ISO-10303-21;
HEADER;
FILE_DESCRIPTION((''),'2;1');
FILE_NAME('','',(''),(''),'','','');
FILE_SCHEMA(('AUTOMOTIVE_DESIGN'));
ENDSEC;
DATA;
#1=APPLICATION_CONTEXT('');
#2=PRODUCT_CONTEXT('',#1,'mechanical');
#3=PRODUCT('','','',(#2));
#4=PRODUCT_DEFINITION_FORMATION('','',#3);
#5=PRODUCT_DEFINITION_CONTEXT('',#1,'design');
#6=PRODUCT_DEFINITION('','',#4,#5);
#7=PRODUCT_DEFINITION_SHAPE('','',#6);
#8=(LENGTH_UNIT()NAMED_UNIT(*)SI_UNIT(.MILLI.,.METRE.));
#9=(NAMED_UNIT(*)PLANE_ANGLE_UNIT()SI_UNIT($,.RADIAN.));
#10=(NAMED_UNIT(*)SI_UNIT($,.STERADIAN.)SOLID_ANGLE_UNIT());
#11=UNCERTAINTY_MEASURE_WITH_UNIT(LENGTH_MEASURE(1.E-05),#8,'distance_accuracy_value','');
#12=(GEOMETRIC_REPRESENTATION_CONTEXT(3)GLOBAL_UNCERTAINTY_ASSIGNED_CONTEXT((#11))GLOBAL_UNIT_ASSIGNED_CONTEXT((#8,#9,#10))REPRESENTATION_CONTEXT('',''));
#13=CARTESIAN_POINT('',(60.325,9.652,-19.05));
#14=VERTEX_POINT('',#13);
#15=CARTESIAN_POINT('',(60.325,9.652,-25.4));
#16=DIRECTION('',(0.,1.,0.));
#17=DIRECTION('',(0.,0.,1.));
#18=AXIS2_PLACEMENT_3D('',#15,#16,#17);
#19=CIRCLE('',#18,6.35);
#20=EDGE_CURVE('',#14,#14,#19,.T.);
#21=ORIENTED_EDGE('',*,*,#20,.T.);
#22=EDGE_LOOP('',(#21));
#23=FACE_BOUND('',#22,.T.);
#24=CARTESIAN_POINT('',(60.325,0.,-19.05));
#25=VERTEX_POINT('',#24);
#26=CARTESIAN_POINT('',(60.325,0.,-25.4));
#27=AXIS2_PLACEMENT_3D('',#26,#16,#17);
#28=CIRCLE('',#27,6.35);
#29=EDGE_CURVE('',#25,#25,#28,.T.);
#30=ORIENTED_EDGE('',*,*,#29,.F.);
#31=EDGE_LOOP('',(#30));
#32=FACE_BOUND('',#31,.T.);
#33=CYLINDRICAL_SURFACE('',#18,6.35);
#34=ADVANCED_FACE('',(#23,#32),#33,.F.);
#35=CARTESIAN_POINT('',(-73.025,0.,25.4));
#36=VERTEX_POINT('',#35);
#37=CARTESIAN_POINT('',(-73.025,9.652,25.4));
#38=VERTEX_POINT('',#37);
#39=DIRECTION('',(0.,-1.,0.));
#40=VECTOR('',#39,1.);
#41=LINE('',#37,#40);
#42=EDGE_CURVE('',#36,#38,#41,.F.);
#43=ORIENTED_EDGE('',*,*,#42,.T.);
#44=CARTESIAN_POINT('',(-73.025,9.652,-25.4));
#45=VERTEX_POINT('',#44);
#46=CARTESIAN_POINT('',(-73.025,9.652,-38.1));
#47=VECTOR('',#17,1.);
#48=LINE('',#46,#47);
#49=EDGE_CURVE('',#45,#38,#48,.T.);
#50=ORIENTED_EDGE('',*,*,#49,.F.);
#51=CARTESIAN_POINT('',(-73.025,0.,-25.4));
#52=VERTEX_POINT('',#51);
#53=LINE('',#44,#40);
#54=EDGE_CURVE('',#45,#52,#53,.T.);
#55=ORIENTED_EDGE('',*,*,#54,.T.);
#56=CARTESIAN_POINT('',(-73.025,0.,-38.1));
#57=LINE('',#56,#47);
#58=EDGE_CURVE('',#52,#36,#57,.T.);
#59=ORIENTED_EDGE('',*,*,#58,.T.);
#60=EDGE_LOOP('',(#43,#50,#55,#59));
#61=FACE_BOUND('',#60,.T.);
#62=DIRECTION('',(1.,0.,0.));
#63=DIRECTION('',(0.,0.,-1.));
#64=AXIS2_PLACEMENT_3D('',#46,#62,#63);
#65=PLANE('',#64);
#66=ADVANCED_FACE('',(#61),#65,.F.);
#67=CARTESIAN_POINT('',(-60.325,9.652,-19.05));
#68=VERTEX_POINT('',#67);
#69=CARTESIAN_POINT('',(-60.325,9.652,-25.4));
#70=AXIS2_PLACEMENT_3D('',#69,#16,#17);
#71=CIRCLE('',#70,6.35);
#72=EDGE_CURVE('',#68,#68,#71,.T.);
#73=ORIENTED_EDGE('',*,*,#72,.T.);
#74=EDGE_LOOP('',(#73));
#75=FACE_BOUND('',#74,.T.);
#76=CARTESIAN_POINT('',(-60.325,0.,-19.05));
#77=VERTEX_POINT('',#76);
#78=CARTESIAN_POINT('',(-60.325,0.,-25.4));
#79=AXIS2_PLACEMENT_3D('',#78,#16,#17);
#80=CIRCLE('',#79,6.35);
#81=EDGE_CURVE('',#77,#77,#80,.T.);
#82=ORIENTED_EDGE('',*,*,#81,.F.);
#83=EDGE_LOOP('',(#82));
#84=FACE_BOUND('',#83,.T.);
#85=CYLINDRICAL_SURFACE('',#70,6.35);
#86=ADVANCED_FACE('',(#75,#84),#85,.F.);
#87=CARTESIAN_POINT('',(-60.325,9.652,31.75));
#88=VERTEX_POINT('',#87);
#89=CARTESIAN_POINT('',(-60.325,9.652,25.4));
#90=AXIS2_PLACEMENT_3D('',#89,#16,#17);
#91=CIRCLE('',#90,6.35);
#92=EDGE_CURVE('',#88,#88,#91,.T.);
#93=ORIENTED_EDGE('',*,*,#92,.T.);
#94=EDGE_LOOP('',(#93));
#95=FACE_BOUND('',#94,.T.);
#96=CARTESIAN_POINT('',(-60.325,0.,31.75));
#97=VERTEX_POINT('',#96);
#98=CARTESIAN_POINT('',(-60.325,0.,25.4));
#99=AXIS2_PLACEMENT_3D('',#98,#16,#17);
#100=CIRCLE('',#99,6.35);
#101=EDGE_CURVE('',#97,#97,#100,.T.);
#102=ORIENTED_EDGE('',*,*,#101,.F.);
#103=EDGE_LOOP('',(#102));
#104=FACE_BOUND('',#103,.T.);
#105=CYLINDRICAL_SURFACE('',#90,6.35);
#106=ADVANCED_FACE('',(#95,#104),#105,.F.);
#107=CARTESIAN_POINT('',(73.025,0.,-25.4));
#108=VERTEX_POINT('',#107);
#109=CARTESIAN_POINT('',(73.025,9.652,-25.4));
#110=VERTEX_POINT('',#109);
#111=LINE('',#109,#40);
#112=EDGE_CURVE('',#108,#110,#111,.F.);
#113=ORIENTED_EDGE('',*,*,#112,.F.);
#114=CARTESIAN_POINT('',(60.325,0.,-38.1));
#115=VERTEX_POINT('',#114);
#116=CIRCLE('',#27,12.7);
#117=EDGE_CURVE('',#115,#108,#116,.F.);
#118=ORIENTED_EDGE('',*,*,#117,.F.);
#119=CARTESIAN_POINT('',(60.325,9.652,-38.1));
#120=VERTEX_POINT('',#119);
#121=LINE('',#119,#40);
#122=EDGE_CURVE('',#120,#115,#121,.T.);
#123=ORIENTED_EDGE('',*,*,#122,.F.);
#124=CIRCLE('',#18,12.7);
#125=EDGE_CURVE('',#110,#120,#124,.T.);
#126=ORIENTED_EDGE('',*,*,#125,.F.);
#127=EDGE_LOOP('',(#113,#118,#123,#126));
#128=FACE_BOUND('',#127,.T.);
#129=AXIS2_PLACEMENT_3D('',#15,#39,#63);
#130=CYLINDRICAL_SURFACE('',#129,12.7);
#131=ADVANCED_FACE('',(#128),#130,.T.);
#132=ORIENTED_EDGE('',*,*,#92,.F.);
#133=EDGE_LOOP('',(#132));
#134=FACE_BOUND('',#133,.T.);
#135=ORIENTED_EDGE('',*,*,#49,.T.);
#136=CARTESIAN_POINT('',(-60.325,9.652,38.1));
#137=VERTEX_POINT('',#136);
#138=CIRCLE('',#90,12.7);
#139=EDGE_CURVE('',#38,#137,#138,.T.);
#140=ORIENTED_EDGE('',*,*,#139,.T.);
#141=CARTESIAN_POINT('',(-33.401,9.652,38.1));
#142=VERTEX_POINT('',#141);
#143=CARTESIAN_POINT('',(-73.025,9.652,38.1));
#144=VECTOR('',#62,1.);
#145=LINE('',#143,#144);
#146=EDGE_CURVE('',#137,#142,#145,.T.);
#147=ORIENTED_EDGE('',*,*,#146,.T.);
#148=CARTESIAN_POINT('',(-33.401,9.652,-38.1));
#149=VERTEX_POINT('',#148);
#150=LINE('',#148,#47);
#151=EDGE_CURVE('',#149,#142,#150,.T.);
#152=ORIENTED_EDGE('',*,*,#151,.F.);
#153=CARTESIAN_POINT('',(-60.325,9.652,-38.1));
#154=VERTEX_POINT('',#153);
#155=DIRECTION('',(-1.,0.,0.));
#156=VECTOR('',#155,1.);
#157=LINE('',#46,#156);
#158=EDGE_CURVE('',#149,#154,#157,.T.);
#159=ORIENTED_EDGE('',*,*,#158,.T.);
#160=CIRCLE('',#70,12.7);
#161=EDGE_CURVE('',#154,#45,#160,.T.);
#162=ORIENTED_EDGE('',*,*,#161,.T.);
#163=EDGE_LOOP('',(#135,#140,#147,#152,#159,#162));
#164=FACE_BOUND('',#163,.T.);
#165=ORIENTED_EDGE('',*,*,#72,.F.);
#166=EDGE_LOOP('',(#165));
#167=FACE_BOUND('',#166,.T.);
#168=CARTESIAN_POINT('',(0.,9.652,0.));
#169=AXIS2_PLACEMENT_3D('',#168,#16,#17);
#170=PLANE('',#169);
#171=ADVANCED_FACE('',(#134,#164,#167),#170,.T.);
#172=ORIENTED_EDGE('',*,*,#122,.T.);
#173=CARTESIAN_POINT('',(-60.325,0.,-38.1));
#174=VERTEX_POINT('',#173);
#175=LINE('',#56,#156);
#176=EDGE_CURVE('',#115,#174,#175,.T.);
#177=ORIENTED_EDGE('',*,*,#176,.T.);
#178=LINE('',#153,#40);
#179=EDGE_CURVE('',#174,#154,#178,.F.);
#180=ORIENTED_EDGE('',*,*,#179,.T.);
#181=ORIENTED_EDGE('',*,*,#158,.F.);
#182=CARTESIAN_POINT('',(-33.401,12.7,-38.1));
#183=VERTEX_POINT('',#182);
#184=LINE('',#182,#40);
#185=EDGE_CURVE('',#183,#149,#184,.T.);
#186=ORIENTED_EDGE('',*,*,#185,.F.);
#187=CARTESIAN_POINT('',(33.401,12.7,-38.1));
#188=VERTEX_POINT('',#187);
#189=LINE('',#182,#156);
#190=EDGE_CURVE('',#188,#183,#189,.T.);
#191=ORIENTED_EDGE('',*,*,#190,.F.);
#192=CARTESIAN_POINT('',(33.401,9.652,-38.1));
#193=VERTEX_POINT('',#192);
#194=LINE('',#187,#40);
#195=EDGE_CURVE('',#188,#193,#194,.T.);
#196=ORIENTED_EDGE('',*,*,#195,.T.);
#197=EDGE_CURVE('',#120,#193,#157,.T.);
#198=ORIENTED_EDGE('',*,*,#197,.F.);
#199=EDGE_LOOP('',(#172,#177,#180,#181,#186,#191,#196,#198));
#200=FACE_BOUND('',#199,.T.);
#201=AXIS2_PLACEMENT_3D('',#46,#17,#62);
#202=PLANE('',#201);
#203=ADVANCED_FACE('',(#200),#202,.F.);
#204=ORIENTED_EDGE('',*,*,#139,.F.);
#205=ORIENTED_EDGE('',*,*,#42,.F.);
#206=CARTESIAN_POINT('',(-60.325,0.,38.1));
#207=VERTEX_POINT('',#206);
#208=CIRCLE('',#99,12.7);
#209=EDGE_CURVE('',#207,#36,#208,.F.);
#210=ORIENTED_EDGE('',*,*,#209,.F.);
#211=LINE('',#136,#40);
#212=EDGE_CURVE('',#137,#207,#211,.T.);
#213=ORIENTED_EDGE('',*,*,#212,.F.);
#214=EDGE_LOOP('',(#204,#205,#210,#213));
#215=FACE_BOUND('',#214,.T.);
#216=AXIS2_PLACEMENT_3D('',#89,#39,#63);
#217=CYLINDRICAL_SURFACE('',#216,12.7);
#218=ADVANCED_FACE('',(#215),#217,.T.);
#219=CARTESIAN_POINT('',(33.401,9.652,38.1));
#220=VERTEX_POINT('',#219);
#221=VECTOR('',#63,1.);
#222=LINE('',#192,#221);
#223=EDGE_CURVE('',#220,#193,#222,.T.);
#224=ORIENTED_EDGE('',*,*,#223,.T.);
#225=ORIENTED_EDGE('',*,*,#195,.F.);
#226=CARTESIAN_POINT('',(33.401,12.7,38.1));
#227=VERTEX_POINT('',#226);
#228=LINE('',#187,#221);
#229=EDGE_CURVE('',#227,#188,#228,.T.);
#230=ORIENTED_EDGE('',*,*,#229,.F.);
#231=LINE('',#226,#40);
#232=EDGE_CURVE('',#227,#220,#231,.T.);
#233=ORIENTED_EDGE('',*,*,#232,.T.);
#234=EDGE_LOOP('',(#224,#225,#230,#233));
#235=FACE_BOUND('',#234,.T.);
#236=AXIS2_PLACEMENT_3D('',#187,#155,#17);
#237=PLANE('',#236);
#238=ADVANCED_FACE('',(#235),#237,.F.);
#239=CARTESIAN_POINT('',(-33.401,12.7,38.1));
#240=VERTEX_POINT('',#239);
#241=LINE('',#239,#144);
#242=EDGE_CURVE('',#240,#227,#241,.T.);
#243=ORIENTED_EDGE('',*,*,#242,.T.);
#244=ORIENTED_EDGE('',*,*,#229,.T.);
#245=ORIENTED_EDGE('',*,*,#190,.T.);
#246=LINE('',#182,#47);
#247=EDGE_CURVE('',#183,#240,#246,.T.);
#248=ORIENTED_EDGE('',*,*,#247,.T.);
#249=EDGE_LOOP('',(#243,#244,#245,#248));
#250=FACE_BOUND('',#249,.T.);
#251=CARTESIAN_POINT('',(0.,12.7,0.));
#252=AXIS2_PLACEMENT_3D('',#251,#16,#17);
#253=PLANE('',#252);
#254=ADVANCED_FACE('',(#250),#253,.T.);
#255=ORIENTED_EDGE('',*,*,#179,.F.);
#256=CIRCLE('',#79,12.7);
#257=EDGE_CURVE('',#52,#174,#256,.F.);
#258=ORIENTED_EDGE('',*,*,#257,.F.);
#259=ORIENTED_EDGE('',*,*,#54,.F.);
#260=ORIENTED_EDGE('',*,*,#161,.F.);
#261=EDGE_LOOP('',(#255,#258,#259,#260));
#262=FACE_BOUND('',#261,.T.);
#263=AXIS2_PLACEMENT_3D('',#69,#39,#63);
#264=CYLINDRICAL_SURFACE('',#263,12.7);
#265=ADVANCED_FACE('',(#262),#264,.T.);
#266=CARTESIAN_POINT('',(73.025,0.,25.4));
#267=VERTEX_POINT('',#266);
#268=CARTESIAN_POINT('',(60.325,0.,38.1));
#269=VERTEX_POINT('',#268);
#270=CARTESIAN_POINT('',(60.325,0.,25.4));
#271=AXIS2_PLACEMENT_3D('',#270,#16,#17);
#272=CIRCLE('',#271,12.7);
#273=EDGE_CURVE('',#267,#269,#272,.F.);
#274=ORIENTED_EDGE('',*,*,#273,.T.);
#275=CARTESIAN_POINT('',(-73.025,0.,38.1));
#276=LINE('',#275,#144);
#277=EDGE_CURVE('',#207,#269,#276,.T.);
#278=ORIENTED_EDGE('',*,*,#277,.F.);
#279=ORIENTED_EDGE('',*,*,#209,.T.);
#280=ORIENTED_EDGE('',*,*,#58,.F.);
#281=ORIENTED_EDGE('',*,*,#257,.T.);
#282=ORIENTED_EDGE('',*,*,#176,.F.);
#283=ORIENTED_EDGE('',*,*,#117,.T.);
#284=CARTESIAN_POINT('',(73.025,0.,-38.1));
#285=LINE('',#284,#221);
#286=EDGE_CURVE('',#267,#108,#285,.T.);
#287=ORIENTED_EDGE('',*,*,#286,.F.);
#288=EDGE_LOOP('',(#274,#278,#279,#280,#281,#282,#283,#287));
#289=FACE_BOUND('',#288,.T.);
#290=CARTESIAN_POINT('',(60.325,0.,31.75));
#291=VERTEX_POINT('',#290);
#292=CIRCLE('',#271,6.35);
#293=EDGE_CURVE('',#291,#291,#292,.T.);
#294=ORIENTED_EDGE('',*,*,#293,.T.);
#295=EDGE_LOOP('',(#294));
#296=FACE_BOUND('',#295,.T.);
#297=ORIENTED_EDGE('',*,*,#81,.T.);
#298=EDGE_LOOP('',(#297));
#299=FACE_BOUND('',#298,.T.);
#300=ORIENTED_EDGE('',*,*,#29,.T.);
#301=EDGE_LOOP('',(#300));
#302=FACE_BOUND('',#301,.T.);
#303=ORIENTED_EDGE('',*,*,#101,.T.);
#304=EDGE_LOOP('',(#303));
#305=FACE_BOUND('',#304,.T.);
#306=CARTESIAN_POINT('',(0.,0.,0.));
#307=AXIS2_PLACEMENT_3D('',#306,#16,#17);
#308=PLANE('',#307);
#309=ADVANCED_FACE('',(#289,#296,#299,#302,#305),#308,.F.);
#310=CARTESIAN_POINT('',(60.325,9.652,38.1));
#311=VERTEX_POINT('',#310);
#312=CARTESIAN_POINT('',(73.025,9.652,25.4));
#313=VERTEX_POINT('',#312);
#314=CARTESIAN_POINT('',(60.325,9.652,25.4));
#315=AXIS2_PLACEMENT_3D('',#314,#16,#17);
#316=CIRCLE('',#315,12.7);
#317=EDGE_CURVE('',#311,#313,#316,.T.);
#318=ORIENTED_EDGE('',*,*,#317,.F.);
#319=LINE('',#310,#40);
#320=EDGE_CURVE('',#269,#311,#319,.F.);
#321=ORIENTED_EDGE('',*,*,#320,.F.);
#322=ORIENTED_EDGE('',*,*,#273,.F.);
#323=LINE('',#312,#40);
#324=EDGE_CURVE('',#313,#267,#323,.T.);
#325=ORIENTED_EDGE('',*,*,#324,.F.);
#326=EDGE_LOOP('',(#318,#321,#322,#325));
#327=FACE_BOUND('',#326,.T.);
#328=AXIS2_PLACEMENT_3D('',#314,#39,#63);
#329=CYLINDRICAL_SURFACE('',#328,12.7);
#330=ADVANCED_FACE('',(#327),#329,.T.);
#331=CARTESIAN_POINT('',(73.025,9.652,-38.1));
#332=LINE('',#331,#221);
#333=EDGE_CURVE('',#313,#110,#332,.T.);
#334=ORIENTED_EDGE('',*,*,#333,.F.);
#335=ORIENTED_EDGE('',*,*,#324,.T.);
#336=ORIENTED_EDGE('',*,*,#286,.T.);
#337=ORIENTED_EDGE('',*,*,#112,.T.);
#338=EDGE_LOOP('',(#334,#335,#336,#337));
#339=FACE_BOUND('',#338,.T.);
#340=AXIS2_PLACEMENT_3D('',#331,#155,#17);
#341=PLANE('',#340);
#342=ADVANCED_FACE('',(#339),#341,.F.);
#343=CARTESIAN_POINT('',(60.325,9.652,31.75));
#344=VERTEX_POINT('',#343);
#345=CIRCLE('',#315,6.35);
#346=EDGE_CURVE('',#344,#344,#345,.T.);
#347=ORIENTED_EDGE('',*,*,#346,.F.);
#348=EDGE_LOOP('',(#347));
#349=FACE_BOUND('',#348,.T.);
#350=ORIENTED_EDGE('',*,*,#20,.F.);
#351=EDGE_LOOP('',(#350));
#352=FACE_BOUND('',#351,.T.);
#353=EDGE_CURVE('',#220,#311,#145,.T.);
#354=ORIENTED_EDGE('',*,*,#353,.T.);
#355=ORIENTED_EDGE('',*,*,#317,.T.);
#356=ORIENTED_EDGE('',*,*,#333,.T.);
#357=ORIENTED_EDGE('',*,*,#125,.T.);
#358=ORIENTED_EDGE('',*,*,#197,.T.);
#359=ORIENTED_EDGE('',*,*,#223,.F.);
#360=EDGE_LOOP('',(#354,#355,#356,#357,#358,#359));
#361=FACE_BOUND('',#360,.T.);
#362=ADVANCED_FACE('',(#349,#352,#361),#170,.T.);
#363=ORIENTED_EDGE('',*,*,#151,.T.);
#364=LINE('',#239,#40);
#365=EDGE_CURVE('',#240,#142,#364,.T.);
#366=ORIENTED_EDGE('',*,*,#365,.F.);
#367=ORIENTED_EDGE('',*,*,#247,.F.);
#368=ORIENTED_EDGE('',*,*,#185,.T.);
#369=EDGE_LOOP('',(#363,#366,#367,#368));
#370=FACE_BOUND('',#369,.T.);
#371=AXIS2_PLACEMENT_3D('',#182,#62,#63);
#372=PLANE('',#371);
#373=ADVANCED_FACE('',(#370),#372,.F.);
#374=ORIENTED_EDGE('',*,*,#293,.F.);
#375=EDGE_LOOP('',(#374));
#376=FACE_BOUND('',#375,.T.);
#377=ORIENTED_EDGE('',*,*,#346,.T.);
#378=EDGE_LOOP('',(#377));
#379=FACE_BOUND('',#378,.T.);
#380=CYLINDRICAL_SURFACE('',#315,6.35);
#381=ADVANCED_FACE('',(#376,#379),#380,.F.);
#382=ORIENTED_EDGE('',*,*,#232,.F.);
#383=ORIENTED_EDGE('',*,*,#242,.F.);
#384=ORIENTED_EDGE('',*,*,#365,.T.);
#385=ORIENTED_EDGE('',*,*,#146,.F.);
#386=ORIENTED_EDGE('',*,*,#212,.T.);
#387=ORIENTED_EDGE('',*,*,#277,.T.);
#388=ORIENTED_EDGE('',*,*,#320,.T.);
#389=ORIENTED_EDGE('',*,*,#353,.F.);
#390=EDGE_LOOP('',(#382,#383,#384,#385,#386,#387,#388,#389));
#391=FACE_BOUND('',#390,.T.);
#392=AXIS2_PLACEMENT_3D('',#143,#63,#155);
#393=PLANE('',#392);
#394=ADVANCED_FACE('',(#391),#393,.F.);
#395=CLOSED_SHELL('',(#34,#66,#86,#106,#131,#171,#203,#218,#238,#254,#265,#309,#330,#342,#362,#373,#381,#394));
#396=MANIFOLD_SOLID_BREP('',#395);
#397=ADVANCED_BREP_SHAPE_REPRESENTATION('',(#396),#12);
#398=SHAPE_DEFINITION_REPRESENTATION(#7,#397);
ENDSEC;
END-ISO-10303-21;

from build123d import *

# Parameters (mm, degrees)
SKETCH1_W                  = 146.05
SKETCH1_H                  = 76.2
BOSS_EXTRUDE1_DEPTH        = 9.652
SKETCH3_W                  = 66.802
SKETCH3_H                  = 76.2
BOSS_EXTRUDE2_DEPTH        = 3.048
FILLET1_R                  = 12.7
F_1_4_0_5_DIAMETER_HOLE1_D = 12.7


with BuildPart() as part:
    # Sketch1 → Boss-Extrude1 (new body)
    with BuildSketch(Plane(origin=(0, 0, 0), x_dir=(1, 0, 0), z_dir=(0, 1, 0))):
        Rectangle(SKETCH1_W, SKETCH1_H)
    extrude(amount=BOSS_EXTRUDE1_DEPTH)

    # Sketch3 → Boss-Extrude2 (add)
    with BuildSketch(Plane(origin=(0, 9.652, 0), x_dir=(1, 0, 0), z_dir=(0, 1, 0))):
        Rectangle(SKETCH3_W, SKETCH3_H)
    extrude(amount=BOSS_EXTRUDE2_DEPTH)

    # Fillet1
    fillet1_edges = [part.edges().sort_by_distance(p)[0] for p in [
        (73.025, 4.826, 38.1),
        (-73.025, 4.826, 38.1),
        (-73.025, 4.826, -38.1),
        (73.025, 4.826, -38.1),
    ]]
    fillet(fillet1_edges, radius=FILLET1_R)

    # 1/4 (0.5) Diameter Hole1 (through all)
    with Locations(Plane(origin=(0, 9.652, 0), x_dir=(1, 0, 0), z_dir=(0, 1, 0))):
        with Locations((-60.325, 25.4), (-60.325, -25.4), (60.325, -25.4), (60.325, 25.4)):
            Hole(F_1_4_0_5_DIAMETER_HOLE1_D / 2)


solid = part.part
